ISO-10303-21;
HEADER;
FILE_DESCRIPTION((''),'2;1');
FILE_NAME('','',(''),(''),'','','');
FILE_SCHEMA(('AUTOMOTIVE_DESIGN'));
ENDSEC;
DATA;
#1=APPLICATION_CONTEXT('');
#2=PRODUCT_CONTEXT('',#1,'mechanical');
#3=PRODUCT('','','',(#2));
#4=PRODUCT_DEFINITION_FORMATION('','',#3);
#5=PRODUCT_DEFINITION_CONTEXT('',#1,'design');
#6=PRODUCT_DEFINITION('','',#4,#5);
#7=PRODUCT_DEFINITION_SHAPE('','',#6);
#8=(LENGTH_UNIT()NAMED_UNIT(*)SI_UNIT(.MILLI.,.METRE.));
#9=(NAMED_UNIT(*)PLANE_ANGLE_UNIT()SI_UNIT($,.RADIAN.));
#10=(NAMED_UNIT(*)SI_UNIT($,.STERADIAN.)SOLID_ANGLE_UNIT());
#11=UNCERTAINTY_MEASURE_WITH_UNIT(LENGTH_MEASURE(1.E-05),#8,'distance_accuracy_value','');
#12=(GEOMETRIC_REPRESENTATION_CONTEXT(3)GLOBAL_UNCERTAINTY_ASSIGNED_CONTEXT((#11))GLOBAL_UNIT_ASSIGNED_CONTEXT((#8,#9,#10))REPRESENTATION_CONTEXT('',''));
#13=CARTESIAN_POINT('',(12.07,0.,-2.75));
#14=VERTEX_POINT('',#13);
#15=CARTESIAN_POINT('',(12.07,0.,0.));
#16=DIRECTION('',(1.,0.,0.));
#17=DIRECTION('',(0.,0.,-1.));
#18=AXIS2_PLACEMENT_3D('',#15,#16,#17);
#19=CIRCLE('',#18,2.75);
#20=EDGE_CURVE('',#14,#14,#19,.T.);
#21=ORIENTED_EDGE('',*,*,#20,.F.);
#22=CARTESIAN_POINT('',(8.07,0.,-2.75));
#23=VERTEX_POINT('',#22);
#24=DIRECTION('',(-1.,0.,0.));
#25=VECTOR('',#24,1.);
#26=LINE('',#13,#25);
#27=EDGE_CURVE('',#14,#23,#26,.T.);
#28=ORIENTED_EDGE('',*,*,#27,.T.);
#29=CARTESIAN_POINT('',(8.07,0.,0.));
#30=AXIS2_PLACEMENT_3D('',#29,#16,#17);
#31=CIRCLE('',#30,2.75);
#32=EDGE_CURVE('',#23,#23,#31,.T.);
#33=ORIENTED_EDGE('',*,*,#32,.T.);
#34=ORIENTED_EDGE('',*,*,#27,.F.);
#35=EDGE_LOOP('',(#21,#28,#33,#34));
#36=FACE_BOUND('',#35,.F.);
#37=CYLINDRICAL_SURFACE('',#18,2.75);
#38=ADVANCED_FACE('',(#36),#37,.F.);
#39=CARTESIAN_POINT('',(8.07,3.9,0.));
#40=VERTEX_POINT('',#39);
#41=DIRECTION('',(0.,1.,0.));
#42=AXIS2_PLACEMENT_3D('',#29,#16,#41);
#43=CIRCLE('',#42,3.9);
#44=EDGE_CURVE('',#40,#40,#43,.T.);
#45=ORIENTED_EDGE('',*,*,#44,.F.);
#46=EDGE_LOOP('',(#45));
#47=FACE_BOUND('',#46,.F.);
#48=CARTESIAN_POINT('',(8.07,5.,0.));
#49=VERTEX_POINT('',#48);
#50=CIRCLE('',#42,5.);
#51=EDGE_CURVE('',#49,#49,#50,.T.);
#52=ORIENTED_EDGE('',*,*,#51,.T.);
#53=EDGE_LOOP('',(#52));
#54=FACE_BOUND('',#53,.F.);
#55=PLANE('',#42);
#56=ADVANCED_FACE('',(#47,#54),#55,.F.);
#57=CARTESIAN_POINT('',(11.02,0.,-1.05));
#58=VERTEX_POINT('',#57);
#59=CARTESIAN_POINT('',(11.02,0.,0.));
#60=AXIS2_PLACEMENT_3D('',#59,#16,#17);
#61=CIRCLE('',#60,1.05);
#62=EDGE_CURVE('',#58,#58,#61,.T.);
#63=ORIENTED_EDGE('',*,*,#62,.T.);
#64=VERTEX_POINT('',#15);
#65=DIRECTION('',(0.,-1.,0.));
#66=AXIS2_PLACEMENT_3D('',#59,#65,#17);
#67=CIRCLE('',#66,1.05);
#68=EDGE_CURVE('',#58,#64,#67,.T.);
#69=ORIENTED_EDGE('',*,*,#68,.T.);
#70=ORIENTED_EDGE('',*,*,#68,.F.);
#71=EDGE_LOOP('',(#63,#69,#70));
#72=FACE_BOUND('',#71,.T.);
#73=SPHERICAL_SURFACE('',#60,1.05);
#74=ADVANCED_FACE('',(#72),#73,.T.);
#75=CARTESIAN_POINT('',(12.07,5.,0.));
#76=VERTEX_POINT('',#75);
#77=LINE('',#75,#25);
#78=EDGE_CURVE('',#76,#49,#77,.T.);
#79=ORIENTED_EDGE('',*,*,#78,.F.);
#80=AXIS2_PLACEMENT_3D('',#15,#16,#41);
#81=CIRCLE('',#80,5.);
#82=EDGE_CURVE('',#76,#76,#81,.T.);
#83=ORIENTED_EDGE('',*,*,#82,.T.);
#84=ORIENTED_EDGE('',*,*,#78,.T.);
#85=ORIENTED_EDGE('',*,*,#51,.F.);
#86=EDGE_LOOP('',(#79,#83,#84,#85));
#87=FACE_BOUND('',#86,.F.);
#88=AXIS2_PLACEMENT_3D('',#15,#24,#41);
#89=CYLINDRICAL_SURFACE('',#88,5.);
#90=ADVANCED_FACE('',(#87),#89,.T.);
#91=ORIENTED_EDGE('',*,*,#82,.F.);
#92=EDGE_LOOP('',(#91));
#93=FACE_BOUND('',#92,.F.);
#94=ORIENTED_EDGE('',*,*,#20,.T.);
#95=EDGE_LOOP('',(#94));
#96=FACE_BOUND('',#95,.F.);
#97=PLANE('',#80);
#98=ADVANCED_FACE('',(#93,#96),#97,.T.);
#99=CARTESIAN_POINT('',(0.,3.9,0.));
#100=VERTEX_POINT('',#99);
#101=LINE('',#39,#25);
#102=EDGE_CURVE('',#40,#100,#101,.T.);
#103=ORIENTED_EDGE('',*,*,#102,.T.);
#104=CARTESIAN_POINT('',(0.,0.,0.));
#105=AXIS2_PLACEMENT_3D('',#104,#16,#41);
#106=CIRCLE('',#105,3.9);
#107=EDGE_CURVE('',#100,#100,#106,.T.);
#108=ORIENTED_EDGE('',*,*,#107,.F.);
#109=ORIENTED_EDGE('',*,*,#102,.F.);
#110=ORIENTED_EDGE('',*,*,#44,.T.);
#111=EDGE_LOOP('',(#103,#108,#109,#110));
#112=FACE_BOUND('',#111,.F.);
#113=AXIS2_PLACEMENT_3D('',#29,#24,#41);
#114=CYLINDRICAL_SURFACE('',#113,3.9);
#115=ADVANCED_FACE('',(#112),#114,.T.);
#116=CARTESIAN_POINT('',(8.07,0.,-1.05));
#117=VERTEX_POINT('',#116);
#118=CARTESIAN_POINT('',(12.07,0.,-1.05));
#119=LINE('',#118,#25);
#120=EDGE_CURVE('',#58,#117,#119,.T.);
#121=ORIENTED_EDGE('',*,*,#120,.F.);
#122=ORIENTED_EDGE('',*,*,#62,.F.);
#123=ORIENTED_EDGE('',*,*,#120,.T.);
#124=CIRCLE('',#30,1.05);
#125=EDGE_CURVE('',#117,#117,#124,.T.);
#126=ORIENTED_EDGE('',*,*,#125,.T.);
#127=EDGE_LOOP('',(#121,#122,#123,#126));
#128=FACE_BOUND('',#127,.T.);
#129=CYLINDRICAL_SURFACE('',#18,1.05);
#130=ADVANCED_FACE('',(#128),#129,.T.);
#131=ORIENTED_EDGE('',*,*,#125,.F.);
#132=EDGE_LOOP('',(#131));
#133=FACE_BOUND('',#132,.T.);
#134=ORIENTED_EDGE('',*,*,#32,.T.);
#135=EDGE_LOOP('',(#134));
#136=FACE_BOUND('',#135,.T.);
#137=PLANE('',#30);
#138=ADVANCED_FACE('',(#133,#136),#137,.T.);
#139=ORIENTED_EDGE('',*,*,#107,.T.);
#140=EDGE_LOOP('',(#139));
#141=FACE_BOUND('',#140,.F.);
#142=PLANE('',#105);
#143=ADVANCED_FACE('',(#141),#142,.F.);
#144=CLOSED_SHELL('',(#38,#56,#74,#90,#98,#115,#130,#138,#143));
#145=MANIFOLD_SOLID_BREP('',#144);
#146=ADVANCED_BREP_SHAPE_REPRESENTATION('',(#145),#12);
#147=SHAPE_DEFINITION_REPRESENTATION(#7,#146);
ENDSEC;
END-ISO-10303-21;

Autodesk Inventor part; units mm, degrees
ref_plane "YZ Plane" through (0, 0, 0) normal (1, 0, 0) x (0, 1, 0)
ref_plane "XZ Plane" through (0, 0, 0) normal (0, 1, 0) x (-1, 0, 0)
ref_plane "XY Plane" through (0, 0, 0) normal (0, 0, 1) x (1, 0, 0)
sketch "Sketch1" plane through (0, 0, 0) normal (0, 0, 1) x (1, 0, 0)
  line L0 (0, 0) -> (12.07, 0)
  line L1 (12.07, 0) -> (12.07, 5)
  line L2 (12.07, 5) -> (8.07, 5)
  line L3 (8.07, 5) -> (8.07, 3.9)
  line L4 (8.07, 3.9) -> (0, 3.9)
  line L5 (0, 3.9) -> (0, 0)
  dimension "d0" = 7.8
  dimension "d1" = 8.07
  dimension "d2" = 4
  dimension "d3" = 10
revolve "Revolution1" add sketch "Sketch1" angle 360 about axis through (0, 0, 0) along (1, 0, 0)
thread "Thread1" size "M8x1.25" class "6g" standard "ANSI Metric M Profile" length 5.17 offset 2.9
sketch "Sketch2" plane through (12.07, 0, 0) normal (1, 0, 0) x (0, 0, -1)
  circle A0 centre (0, 0) radius 2.75
  circle A1 centre (0, 0) radius 1.05
  dimension "d7" = 5.5
  dimension "d8" = 2.1
extrude "Extrusion1" cut sketch "Sketch2" against normal blind 4
fillet "Fillet1" radius 1.05 1 edges at (12.07, 0, 1.05)
properties part number "DC Jack"
